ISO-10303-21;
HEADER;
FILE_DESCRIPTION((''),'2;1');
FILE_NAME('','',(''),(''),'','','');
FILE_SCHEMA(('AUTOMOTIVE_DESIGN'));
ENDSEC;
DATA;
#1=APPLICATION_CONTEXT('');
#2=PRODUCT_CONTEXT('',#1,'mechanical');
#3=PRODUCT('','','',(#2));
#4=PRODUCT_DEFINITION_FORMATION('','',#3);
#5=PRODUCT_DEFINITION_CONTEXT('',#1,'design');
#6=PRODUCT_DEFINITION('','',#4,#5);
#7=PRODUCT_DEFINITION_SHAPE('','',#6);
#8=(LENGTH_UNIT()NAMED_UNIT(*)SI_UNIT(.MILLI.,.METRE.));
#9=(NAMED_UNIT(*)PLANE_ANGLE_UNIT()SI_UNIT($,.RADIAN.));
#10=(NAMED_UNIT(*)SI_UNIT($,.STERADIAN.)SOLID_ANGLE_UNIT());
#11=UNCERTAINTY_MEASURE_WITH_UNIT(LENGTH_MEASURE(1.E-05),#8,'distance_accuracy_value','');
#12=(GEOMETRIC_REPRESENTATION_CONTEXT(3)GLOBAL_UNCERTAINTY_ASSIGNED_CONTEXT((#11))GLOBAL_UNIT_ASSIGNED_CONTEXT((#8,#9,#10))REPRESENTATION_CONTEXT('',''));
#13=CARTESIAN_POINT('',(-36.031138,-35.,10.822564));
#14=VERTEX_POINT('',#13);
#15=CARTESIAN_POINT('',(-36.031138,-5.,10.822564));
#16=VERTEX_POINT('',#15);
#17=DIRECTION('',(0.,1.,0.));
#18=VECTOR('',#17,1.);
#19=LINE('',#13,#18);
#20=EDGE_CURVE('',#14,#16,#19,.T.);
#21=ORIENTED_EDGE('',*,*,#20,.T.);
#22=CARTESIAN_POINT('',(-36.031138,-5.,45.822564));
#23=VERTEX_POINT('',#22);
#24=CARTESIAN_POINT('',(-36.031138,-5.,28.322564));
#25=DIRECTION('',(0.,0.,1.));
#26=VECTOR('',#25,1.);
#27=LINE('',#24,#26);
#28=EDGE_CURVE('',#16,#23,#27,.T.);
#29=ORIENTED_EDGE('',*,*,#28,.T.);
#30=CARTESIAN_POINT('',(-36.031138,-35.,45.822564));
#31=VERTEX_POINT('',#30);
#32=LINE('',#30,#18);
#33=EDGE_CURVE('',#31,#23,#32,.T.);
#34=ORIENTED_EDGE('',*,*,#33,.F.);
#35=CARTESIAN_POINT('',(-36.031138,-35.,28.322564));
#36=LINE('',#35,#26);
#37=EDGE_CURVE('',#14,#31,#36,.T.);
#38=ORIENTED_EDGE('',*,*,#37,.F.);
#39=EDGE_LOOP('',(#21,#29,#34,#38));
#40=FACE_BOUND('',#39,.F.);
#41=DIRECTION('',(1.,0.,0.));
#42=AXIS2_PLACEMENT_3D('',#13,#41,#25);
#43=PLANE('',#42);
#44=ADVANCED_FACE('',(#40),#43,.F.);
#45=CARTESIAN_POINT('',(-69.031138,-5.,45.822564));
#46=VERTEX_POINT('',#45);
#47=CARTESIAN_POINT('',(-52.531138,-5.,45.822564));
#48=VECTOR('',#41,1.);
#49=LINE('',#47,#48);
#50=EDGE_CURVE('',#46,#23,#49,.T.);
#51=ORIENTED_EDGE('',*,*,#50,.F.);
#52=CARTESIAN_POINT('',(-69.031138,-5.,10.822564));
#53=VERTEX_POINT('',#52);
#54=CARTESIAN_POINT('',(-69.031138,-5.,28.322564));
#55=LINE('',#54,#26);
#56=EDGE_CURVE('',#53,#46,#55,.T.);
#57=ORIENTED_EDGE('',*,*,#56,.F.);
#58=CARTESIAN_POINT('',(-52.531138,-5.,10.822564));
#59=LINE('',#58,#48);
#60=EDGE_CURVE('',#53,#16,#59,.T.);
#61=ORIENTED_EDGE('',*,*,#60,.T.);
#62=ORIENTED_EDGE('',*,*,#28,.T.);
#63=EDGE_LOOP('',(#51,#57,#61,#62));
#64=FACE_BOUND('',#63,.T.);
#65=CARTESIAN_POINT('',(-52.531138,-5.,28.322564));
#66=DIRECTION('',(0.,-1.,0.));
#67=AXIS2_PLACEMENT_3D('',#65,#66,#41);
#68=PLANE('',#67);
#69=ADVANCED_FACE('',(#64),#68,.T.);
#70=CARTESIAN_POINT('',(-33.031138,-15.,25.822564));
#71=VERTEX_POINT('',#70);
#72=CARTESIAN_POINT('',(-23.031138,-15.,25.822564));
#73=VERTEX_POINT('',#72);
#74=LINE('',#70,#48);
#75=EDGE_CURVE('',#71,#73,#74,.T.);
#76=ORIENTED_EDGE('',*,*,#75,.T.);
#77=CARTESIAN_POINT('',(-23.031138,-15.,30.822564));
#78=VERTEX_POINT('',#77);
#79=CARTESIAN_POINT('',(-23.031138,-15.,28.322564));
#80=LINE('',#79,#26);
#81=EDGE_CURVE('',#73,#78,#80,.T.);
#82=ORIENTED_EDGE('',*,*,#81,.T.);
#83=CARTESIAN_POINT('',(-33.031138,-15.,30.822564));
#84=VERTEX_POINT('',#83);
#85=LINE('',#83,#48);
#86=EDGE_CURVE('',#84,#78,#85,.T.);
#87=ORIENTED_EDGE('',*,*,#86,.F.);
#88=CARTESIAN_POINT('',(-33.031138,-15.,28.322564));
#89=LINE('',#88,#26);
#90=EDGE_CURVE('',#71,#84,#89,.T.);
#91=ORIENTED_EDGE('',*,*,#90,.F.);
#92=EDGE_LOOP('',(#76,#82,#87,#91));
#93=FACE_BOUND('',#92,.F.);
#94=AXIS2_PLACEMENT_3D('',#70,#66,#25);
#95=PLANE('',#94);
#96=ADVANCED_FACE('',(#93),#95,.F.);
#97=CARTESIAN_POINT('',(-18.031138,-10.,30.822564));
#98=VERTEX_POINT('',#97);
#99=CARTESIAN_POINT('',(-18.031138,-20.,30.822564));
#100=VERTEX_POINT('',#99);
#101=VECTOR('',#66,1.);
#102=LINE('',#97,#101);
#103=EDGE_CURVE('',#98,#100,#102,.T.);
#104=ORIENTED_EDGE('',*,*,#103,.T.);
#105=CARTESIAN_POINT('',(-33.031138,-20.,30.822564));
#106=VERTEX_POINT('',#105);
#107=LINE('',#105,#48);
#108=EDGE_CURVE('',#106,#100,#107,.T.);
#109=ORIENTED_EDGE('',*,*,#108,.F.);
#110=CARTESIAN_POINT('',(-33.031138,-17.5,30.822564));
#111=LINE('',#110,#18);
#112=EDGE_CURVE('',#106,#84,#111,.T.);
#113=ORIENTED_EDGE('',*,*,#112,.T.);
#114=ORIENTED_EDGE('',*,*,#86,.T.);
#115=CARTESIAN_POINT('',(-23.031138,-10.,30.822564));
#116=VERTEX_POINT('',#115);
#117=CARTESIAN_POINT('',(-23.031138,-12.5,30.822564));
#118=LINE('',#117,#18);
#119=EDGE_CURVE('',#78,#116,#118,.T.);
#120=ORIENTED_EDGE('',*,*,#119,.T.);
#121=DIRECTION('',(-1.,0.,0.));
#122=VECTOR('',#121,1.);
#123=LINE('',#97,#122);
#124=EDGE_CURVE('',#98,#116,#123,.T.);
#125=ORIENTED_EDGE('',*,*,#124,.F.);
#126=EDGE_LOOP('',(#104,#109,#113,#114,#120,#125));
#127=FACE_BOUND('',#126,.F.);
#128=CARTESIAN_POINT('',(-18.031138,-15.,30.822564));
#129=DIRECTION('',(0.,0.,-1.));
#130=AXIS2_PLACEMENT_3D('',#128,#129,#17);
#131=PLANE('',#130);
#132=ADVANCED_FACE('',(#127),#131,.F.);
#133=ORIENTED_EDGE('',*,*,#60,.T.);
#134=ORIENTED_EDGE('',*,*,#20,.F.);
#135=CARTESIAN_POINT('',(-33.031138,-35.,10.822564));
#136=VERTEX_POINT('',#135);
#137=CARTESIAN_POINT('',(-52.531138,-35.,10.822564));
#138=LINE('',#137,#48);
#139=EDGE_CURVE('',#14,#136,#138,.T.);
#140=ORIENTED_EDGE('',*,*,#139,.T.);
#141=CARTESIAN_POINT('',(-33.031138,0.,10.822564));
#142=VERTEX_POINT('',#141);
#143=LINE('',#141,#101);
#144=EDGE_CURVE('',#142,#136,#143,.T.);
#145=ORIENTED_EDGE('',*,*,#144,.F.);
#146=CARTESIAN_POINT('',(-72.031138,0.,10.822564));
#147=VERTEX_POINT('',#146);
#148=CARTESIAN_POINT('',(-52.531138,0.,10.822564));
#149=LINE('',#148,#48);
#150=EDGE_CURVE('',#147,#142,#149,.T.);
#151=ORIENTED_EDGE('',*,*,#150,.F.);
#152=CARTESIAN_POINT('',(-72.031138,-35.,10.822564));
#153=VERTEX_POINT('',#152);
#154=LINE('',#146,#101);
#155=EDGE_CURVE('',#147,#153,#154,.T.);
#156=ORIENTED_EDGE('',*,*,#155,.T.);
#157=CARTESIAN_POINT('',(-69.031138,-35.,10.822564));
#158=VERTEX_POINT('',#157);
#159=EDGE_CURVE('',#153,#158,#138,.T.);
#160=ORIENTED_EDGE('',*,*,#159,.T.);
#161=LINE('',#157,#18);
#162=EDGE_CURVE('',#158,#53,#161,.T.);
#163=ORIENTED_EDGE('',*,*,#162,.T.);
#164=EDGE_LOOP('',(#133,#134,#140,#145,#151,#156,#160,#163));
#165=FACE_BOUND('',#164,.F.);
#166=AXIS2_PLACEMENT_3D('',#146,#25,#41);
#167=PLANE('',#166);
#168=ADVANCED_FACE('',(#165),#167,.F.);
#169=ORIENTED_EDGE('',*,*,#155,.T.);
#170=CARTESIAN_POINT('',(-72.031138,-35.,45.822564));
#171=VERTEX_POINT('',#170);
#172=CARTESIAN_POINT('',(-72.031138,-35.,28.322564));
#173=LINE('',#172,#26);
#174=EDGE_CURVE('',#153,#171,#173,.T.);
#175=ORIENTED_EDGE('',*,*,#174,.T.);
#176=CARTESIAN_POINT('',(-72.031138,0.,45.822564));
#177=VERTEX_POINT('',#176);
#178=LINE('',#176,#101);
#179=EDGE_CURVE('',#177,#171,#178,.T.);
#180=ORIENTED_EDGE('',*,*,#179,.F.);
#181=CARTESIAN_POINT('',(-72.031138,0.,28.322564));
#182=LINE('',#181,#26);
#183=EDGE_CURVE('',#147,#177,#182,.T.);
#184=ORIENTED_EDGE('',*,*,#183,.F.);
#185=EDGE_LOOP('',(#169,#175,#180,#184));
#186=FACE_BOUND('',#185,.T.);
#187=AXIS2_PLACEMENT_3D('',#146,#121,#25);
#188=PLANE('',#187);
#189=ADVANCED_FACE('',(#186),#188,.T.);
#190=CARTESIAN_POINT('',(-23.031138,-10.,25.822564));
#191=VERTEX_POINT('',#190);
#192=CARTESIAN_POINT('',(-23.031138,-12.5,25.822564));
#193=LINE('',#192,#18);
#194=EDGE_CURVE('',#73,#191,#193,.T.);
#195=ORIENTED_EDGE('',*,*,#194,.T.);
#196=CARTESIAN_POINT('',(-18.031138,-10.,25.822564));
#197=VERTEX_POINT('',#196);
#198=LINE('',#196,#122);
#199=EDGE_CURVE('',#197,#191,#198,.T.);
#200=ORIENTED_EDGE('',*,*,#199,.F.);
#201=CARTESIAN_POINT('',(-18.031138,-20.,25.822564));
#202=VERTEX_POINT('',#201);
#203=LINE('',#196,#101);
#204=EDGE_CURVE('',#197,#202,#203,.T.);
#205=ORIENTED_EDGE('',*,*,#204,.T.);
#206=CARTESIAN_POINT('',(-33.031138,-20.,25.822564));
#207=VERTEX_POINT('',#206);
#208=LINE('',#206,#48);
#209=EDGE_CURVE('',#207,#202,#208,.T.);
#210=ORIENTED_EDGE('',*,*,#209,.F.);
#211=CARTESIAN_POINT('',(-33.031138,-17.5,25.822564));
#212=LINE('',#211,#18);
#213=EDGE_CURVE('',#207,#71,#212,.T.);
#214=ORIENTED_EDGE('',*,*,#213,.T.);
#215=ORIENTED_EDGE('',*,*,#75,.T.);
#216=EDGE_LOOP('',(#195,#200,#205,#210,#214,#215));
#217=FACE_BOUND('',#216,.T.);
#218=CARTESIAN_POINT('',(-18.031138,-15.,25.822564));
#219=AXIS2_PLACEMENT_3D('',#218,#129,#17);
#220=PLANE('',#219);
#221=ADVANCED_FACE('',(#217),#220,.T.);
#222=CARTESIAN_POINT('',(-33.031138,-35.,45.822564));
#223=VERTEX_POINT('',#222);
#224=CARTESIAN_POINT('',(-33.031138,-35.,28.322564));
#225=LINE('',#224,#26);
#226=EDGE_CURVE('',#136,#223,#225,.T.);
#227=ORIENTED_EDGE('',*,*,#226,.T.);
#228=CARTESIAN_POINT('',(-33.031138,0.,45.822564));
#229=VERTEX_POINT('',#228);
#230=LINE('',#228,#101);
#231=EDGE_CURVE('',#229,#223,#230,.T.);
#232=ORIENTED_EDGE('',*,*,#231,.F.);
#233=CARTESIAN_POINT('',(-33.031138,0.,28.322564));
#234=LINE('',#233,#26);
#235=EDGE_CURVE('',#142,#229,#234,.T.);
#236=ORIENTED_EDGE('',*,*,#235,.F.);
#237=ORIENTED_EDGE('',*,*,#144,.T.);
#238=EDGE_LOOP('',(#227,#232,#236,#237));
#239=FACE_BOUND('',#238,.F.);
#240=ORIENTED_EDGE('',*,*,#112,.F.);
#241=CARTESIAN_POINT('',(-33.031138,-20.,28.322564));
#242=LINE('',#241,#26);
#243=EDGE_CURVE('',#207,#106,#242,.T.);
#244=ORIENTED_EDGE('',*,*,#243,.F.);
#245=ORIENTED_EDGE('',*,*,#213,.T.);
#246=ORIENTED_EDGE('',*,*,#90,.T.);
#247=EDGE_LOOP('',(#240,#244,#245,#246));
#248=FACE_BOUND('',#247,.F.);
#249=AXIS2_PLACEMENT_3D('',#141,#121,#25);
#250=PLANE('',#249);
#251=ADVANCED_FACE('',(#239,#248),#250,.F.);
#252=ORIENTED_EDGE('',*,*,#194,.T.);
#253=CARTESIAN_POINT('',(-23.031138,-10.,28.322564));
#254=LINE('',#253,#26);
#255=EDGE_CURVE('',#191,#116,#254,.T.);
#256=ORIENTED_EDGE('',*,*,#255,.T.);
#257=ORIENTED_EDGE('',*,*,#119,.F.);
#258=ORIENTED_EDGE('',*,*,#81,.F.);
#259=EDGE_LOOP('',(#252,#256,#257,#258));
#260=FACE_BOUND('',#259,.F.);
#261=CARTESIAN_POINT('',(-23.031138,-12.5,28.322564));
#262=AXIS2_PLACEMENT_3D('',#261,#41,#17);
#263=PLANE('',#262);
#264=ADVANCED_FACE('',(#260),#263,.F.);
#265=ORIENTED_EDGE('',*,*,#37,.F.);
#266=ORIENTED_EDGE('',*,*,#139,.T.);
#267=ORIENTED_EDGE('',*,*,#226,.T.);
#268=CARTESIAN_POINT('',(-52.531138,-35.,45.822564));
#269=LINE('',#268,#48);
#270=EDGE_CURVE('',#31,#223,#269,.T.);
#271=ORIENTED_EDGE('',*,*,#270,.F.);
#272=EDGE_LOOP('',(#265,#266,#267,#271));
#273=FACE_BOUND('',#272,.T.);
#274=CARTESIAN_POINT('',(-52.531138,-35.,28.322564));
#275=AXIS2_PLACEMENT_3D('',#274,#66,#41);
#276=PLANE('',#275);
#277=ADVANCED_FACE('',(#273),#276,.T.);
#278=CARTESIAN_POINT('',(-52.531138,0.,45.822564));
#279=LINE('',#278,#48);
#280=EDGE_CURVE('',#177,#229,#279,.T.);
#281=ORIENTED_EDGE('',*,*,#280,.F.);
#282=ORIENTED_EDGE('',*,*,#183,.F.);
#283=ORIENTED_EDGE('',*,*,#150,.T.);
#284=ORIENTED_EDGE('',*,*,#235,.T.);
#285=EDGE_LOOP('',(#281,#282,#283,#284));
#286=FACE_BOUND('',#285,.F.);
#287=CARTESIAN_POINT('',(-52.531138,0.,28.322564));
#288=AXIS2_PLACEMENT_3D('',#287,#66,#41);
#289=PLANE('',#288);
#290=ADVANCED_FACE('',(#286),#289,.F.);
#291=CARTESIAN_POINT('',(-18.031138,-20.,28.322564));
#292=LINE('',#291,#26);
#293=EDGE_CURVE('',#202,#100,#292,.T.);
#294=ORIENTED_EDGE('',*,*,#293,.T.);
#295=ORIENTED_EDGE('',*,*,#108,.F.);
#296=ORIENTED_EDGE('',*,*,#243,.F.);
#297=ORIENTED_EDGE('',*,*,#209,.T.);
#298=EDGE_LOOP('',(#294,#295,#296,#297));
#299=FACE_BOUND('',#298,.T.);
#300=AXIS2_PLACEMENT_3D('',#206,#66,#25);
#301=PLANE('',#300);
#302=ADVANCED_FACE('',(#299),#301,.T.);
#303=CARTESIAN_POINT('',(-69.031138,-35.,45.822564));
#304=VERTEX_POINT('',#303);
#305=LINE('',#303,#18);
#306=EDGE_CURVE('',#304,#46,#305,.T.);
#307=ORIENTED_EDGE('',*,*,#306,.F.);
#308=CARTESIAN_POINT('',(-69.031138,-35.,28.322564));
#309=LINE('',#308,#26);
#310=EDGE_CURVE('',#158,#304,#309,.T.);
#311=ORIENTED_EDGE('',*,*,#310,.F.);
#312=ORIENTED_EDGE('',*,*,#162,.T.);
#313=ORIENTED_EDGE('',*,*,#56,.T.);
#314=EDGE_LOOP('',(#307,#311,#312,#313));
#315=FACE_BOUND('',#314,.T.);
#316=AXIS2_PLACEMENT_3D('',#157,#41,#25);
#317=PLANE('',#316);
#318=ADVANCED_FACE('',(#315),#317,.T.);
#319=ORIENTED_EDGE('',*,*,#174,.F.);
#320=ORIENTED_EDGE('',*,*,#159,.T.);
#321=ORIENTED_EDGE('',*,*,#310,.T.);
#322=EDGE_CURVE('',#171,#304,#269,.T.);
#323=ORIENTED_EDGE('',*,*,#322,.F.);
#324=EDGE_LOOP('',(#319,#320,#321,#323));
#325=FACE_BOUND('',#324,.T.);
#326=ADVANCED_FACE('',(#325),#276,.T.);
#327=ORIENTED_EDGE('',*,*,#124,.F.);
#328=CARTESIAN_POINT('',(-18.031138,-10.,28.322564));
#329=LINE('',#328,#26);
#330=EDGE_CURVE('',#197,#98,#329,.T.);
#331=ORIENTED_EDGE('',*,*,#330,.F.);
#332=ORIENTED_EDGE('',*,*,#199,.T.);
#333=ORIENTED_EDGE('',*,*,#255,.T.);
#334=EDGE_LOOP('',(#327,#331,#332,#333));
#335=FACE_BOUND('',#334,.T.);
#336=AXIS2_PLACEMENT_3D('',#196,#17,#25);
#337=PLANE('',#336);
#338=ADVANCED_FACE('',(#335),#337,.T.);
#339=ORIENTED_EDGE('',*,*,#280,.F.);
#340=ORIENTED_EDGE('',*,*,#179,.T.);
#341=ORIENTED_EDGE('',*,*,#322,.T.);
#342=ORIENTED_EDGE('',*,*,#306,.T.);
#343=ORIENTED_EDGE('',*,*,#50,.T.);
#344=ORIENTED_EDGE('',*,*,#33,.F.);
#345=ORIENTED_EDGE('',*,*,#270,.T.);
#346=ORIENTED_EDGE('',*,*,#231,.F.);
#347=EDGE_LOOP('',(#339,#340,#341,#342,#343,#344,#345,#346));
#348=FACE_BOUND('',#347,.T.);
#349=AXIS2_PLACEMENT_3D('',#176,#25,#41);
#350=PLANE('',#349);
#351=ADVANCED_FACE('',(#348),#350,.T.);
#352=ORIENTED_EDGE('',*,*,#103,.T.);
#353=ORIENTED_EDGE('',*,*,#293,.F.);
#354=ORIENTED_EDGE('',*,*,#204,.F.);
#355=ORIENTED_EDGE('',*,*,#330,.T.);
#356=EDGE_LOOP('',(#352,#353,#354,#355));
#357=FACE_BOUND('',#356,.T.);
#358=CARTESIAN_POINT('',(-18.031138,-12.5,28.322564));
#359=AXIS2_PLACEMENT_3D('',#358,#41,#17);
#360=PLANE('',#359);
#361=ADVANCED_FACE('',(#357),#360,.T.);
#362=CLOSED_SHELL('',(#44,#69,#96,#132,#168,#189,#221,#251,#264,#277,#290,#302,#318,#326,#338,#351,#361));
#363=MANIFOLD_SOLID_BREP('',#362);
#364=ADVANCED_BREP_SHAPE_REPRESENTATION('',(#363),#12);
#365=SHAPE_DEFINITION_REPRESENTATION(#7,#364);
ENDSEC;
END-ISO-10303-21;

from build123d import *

# Parameters (mm, degrees)
F0_W     = 39
F0_H     = 35
F1_DEPTH = 35
F2_W     = 33
F2_H     = 35
F3_DEPTH = 30
F4_W     = 5
F4_H     = 5
F5_DEPTH = 15
F6_W     = 5
F6_H     = 5
F7_DEPTH = 5


with BuildPart() as f1:
    # F0 (on Front) → F1 (new body)
    with BuildSketch(Plane.XZ):
        with Locations((-52.531138, 28.322564)):
            Rectangle(F0_W, F0_H)
    extrude(amount=F1_DEPTH)

    # F2 (on face) → F3 (cut)
    with BuildSketch(Plane.XZ.offset(35)):
        with Locations((-52.531138, 28.322564)):
            Rectangle(F2_W, F2_H)
    extrude(amount=-F3_DEPTH, mode=Mode.SUBTRACT)

    # F4 (on face) → F5 (join)
    with BuildSketch(Plane.YZ.offset(-33.031138)):
        with Locations((-17.5, 28.322564)):
            Rectangle(F4_W, F4_H)
    extrude(amount=F5_DEPTH)

    # F6 (on face) → F7 (join)
    with BuildSketch(Plane.YZ.offset(-18.031138)):
        with Locations((-12.5, 28.322564)):
            Rectangle(F6_W, F6_H)
    extrude(amount=-F7_DEPTH)


solid = f1.part
